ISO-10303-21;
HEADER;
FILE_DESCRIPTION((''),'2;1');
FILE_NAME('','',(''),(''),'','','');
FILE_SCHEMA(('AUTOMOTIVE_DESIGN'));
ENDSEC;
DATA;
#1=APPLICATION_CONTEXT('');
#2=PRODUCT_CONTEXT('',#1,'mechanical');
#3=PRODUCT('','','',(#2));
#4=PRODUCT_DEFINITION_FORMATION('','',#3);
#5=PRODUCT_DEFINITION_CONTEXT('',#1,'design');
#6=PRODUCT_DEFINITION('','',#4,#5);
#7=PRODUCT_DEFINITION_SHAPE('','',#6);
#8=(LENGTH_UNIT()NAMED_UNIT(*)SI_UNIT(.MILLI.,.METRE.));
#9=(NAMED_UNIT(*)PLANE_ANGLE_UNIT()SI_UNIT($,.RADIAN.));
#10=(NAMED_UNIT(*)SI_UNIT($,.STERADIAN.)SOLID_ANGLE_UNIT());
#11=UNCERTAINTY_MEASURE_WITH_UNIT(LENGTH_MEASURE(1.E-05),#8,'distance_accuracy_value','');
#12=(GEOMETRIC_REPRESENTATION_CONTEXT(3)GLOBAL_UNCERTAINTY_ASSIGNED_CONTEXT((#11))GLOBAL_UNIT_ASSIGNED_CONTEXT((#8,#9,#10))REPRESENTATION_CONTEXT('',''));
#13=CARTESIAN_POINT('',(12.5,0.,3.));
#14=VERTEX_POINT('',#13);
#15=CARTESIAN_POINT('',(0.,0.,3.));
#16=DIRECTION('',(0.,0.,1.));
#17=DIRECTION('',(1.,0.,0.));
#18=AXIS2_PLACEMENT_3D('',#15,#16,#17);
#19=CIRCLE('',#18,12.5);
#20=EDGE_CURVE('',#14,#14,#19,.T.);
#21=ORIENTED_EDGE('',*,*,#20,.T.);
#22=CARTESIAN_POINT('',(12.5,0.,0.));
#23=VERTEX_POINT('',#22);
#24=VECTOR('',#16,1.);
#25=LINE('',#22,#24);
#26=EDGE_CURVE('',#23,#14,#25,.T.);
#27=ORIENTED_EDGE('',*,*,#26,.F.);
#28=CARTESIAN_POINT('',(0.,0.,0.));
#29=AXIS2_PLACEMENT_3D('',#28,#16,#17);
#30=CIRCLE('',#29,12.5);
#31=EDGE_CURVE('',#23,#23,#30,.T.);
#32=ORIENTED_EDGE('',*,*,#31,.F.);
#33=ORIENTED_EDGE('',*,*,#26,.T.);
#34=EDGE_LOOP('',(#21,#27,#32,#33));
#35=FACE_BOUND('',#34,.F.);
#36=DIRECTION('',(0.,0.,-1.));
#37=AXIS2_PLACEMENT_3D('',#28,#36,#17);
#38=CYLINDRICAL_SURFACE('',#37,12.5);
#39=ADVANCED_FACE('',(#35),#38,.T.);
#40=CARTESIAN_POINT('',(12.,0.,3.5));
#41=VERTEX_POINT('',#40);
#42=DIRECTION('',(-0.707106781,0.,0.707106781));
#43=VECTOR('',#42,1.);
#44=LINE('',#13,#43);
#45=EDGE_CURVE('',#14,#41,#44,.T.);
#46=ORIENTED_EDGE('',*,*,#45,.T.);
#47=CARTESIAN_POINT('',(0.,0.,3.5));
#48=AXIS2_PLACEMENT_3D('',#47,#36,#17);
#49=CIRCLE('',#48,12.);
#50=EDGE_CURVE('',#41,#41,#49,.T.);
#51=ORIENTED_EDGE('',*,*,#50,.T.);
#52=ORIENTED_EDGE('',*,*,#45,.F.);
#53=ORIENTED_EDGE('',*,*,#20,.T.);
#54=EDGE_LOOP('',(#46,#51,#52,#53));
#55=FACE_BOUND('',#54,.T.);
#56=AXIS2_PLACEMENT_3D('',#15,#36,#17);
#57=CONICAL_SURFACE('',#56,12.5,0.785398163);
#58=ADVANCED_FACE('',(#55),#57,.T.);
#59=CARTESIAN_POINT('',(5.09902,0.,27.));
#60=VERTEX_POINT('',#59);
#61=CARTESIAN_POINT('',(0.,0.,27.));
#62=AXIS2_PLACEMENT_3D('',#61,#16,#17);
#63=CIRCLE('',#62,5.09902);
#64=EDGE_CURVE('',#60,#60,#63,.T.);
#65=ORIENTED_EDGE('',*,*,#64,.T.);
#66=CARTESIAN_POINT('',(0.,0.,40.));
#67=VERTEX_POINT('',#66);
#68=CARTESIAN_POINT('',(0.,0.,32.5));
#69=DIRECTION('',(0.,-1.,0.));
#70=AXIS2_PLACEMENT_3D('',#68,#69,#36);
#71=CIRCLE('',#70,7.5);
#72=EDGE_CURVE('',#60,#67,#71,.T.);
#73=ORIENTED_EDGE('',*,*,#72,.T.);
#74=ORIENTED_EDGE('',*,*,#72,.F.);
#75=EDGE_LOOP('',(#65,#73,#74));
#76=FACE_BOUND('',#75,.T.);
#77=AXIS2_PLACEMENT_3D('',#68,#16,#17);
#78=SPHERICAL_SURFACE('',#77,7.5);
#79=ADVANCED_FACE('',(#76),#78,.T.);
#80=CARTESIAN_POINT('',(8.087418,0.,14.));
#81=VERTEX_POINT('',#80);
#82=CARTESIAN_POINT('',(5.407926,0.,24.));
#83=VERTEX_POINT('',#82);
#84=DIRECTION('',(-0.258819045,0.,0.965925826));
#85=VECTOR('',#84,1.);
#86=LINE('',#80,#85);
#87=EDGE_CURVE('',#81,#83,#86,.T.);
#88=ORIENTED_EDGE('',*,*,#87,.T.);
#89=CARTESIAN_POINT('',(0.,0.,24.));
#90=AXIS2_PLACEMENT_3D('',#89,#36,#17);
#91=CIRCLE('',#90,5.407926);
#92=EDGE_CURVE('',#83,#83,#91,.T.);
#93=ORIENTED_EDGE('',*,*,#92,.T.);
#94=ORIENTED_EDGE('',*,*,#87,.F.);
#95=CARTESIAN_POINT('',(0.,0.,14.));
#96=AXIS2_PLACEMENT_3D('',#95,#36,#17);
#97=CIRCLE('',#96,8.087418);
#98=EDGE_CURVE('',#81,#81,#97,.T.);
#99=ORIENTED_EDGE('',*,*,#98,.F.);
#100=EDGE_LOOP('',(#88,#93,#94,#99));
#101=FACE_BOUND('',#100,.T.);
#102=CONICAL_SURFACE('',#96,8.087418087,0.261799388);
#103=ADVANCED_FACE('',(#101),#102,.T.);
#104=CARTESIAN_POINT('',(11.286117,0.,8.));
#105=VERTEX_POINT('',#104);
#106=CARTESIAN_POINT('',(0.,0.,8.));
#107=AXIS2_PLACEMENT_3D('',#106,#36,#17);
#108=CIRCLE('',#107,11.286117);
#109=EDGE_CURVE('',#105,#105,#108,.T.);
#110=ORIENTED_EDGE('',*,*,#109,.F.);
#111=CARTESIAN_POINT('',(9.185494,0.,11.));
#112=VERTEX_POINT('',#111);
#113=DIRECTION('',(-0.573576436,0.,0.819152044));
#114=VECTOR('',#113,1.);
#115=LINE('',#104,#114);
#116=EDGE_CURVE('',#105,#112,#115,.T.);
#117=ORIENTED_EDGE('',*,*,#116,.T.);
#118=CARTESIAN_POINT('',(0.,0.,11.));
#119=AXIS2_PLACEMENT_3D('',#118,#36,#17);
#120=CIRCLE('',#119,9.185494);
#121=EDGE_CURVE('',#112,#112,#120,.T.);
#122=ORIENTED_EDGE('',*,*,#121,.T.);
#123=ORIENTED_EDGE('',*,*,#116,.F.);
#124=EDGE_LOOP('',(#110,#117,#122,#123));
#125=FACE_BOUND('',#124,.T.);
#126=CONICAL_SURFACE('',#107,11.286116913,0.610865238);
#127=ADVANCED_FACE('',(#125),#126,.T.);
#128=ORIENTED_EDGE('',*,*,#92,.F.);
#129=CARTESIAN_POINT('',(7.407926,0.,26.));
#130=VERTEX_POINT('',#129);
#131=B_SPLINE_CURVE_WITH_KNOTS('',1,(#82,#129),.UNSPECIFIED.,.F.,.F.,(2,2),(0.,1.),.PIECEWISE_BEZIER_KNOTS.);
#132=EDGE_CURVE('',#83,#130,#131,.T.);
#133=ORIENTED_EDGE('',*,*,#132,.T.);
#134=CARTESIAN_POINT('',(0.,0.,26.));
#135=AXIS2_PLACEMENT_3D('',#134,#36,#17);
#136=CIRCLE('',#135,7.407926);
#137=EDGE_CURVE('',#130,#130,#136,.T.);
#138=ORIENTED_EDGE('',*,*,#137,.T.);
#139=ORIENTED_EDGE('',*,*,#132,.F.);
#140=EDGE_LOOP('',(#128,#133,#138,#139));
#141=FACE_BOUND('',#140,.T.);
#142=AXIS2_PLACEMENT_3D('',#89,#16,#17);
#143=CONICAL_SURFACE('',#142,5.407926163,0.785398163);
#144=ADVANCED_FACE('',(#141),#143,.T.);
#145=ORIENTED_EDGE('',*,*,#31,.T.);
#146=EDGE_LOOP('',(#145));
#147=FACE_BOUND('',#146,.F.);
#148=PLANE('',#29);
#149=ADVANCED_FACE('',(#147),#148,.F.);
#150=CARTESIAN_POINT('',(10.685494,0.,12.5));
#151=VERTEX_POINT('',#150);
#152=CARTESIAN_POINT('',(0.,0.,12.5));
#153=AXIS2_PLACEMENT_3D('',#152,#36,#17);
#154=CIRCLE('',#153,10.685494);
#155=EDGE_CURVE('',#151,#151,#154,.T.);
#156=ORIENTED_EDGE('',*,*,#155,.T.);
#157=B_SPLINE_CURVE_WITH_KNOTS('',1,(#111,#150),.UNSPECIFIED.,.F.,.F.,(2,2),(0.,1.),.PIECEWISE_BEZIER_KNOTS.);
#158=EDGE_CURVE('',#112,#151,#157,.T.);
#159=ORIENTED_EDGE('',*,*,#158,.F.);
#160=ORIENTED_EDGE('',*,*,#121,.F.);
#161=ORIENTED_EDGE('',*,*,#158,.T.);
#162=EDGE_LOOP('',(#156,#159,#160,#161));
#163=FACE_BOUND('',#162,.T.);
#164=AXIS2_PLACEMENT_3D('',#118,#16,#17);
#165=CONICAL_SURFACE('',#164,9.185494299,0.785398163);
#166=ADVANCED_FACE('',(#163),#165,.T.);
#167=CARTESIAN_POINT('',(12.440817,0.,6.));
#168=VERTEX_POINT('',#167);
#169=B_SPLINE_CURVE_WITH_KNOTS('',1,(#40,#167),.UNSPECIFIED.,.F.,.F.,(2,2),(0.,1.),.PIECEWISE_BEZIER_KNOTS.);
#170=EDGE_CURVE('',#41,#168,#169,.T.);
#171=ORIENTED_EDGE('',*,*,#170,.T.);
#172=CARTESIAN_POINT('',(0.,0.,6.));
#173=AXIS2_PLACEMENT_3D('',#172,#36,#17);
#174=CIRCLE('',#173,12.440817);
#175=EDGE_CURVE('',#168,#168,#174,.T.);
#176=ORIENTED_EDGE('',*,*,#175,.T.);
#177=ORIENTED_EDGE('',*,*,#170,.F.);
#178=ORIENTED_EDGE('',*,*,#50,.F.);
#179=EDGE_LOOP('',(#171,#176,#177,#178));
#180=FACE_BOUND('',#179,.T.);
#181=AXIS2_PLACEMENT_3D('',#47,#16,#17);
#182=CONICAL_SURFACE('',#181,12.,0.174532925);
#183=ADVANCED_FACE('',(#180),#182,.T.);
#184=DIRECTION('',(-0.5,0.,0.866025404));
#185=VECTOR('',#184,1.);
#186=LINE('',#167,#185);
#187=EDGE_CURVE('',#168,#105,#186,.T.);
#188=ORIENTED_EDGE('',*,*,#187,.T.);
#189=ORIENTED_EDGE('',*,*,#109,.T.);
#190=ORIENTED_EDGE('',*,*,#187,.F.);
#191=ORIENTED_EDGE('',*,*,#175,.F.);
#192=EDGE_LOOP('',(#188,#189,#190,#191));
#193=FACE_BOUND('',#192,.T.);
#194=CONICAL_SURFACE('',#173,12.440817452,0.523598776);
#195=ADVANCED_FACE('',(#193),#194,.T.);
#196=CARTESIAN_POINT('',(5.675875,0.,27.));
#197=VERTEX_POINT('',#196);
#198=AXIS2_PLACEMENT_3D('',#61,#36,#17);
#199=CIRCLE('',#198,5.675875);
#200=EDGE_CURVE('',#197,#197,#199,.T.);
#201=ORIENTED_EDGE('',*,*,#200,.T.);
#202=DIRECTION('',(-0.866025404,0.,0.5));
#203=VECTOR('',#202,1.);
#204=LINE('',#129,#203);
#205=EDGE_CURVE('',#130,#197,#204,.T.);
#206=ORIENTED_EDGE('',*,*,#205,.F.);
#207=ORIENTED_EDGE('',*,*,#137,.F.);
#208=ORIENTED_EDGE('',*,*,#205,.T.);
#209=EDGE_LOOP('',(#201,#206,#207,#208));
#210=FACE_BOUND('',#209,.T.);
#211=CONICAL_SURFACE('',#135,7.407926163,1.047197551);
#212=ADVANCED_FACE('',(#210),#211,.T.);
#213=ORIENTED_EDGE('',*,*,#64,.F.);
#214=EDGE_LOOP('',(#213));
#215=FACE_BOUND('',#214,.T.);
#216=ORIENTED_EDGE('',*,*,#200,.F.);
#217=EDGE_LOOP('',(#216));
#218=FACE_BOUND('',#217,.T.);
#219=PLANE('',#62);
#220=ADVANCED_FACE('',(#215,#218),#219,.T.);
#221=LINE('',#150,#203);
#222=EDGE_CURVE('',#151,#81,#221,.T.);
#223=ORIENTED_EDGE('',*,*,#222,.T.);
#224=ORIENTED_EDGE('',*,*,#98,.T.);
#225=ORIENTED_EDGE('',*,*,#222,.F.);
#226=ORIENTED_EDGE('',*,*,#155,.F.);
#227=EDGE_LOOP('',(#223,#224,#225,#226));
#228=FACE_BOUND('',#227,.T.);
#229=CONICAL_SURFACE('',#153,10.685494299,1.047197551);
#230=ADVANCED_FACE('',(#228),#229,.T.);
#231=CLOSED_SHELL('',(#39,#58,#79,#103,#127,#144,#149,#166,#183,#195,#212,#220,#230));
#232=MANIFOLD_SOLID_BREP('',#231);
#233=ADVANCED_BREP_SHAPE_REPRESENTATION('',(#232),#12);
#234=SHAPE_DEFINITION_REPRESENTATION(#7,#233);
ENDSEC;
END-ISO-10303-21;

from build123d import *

# Parameters (mm, degrees)
F0_R      = 12.5
F1_DEPTH  = 3
F1_FACE_R = 12.5
F2_DEPTH  = 0.5
F2_TAPER  = 45
F2_FACE_R = 12
F3_DEPTH  = 2.5
F3_TAPER  = -10
F3_FACE_R = 12.4408174518
F4_DEPTH  = 2
F4_TAPER  = 30
F4_FACE_R = 11.2861169134
F5_DEPTH  = 3
F5_TAPER  = 35
F5_FACE_R = 9.1854942988
F6_DEPTH  = 1.5
F6_TAPER  = -45
F6_FACE_R = 10.6854942988
F7_DEPTH  = 1.5
F7_TAPER  = 60
F7_FACE_R = 8.0874180874
F8_DEPTH  = 10
F8_TAPER  = 15
F8_FACE_R = 5.4079261631
F9_DEPTH  = 2
F9_TAPER  = -45
F9_FACE_R = 7.4079261631
F10_DEPTH = 1
F10_TAPER = 60


with BuildPart() as f1:
    # F0 (on Top) → F1 (new body)
    with BuildSketch(Plane.XY):
        Circle(F0_R)
    extrude(amount=F1_DEPTH)

    # F1_face (on face) → F2 (join)
    with BuildSketch(Plane.XY.offset(3)):
        Circle(F1_FACE_R)
    extrude(amount=F2_DEPTH, taper=F2_TAPER)

    # F2_face (on face) → F3 (join)
    with BuildSketch(Plane.XY.offset(3.5)):
        Circle(F2_FACE_R)
    extrude(amount=F3_DEPTH, taper=F3_TAPER)

    # F3_face (on face) → F4 (join)
    with BuildSketch(Plane.XY.offset(6)):
        Circle(F3_FACE_R)
    extrude(amount=F4_DEPTH, taper=F4_TAPER)

    # F4_face (on face) → F5 (join)
    with BuildSketch(Plane.XY.offset(8)):
        Circle(F4_FACE_R)
    extrude(amount=F5_DEPTH, taper=F5_TAPER)

    # F5_face (on face) → F6 (join)
    with BuildSketch(Plane.XY.offset(11)):
        Circle(F5_FACE_R)
    extrude(amount=F6_DEPTH, taper=F6_TAPER)

    # F6_face (on face) → F7 (join)
    with BuildSketch(Plane.XY.offset(12.5)):
        Circle(F6_FACE_R)
    extrude(amount=F7_DEPTH, taper=F7_TAPER)

    # F7_face (on face) → F8 (join)
    with BuildSketch(Plane.XY.offset(14)):
        Circle(F7_FACE_R)
    extrude(amount=F8_DEPTH, taper=F8_TAPER)

    # F8_face (on face) → F9 (join)
    with BuildSketch(Plane.XY.offset(24)):
        Circle(F8_FACE_R)
    extrude(amount=F9_DEPTH, taper=F9_TAPER)

    # F9_face (on face) → F10 (join)
    with BuildSketch(Plane.XY.offset(26)):
        Circle(F9_FACE_R)
    extrude(amount=F10_DEPTH, taper=F10_TAPER)

    # F11 (on Front) → F12 (revolve)
    with BuildSketch(Plane.XZ):
        with BuildLine():
            Line((0, 32.5), (0, 25))
            ThreePointArc((0, 25), (5.3033008589, 27.1966991411), (7.5, 32.5))
            ThreePointArc((7.5, 32.5), (5.3033008589, 37.8033008589), (0, 40))
            Line((0, 40), (0, 32.5))
        make_face()
    revolve(axis=Axis((0, 0, 42.9121503979), (0, 0, 1)))


solid = f1.part
